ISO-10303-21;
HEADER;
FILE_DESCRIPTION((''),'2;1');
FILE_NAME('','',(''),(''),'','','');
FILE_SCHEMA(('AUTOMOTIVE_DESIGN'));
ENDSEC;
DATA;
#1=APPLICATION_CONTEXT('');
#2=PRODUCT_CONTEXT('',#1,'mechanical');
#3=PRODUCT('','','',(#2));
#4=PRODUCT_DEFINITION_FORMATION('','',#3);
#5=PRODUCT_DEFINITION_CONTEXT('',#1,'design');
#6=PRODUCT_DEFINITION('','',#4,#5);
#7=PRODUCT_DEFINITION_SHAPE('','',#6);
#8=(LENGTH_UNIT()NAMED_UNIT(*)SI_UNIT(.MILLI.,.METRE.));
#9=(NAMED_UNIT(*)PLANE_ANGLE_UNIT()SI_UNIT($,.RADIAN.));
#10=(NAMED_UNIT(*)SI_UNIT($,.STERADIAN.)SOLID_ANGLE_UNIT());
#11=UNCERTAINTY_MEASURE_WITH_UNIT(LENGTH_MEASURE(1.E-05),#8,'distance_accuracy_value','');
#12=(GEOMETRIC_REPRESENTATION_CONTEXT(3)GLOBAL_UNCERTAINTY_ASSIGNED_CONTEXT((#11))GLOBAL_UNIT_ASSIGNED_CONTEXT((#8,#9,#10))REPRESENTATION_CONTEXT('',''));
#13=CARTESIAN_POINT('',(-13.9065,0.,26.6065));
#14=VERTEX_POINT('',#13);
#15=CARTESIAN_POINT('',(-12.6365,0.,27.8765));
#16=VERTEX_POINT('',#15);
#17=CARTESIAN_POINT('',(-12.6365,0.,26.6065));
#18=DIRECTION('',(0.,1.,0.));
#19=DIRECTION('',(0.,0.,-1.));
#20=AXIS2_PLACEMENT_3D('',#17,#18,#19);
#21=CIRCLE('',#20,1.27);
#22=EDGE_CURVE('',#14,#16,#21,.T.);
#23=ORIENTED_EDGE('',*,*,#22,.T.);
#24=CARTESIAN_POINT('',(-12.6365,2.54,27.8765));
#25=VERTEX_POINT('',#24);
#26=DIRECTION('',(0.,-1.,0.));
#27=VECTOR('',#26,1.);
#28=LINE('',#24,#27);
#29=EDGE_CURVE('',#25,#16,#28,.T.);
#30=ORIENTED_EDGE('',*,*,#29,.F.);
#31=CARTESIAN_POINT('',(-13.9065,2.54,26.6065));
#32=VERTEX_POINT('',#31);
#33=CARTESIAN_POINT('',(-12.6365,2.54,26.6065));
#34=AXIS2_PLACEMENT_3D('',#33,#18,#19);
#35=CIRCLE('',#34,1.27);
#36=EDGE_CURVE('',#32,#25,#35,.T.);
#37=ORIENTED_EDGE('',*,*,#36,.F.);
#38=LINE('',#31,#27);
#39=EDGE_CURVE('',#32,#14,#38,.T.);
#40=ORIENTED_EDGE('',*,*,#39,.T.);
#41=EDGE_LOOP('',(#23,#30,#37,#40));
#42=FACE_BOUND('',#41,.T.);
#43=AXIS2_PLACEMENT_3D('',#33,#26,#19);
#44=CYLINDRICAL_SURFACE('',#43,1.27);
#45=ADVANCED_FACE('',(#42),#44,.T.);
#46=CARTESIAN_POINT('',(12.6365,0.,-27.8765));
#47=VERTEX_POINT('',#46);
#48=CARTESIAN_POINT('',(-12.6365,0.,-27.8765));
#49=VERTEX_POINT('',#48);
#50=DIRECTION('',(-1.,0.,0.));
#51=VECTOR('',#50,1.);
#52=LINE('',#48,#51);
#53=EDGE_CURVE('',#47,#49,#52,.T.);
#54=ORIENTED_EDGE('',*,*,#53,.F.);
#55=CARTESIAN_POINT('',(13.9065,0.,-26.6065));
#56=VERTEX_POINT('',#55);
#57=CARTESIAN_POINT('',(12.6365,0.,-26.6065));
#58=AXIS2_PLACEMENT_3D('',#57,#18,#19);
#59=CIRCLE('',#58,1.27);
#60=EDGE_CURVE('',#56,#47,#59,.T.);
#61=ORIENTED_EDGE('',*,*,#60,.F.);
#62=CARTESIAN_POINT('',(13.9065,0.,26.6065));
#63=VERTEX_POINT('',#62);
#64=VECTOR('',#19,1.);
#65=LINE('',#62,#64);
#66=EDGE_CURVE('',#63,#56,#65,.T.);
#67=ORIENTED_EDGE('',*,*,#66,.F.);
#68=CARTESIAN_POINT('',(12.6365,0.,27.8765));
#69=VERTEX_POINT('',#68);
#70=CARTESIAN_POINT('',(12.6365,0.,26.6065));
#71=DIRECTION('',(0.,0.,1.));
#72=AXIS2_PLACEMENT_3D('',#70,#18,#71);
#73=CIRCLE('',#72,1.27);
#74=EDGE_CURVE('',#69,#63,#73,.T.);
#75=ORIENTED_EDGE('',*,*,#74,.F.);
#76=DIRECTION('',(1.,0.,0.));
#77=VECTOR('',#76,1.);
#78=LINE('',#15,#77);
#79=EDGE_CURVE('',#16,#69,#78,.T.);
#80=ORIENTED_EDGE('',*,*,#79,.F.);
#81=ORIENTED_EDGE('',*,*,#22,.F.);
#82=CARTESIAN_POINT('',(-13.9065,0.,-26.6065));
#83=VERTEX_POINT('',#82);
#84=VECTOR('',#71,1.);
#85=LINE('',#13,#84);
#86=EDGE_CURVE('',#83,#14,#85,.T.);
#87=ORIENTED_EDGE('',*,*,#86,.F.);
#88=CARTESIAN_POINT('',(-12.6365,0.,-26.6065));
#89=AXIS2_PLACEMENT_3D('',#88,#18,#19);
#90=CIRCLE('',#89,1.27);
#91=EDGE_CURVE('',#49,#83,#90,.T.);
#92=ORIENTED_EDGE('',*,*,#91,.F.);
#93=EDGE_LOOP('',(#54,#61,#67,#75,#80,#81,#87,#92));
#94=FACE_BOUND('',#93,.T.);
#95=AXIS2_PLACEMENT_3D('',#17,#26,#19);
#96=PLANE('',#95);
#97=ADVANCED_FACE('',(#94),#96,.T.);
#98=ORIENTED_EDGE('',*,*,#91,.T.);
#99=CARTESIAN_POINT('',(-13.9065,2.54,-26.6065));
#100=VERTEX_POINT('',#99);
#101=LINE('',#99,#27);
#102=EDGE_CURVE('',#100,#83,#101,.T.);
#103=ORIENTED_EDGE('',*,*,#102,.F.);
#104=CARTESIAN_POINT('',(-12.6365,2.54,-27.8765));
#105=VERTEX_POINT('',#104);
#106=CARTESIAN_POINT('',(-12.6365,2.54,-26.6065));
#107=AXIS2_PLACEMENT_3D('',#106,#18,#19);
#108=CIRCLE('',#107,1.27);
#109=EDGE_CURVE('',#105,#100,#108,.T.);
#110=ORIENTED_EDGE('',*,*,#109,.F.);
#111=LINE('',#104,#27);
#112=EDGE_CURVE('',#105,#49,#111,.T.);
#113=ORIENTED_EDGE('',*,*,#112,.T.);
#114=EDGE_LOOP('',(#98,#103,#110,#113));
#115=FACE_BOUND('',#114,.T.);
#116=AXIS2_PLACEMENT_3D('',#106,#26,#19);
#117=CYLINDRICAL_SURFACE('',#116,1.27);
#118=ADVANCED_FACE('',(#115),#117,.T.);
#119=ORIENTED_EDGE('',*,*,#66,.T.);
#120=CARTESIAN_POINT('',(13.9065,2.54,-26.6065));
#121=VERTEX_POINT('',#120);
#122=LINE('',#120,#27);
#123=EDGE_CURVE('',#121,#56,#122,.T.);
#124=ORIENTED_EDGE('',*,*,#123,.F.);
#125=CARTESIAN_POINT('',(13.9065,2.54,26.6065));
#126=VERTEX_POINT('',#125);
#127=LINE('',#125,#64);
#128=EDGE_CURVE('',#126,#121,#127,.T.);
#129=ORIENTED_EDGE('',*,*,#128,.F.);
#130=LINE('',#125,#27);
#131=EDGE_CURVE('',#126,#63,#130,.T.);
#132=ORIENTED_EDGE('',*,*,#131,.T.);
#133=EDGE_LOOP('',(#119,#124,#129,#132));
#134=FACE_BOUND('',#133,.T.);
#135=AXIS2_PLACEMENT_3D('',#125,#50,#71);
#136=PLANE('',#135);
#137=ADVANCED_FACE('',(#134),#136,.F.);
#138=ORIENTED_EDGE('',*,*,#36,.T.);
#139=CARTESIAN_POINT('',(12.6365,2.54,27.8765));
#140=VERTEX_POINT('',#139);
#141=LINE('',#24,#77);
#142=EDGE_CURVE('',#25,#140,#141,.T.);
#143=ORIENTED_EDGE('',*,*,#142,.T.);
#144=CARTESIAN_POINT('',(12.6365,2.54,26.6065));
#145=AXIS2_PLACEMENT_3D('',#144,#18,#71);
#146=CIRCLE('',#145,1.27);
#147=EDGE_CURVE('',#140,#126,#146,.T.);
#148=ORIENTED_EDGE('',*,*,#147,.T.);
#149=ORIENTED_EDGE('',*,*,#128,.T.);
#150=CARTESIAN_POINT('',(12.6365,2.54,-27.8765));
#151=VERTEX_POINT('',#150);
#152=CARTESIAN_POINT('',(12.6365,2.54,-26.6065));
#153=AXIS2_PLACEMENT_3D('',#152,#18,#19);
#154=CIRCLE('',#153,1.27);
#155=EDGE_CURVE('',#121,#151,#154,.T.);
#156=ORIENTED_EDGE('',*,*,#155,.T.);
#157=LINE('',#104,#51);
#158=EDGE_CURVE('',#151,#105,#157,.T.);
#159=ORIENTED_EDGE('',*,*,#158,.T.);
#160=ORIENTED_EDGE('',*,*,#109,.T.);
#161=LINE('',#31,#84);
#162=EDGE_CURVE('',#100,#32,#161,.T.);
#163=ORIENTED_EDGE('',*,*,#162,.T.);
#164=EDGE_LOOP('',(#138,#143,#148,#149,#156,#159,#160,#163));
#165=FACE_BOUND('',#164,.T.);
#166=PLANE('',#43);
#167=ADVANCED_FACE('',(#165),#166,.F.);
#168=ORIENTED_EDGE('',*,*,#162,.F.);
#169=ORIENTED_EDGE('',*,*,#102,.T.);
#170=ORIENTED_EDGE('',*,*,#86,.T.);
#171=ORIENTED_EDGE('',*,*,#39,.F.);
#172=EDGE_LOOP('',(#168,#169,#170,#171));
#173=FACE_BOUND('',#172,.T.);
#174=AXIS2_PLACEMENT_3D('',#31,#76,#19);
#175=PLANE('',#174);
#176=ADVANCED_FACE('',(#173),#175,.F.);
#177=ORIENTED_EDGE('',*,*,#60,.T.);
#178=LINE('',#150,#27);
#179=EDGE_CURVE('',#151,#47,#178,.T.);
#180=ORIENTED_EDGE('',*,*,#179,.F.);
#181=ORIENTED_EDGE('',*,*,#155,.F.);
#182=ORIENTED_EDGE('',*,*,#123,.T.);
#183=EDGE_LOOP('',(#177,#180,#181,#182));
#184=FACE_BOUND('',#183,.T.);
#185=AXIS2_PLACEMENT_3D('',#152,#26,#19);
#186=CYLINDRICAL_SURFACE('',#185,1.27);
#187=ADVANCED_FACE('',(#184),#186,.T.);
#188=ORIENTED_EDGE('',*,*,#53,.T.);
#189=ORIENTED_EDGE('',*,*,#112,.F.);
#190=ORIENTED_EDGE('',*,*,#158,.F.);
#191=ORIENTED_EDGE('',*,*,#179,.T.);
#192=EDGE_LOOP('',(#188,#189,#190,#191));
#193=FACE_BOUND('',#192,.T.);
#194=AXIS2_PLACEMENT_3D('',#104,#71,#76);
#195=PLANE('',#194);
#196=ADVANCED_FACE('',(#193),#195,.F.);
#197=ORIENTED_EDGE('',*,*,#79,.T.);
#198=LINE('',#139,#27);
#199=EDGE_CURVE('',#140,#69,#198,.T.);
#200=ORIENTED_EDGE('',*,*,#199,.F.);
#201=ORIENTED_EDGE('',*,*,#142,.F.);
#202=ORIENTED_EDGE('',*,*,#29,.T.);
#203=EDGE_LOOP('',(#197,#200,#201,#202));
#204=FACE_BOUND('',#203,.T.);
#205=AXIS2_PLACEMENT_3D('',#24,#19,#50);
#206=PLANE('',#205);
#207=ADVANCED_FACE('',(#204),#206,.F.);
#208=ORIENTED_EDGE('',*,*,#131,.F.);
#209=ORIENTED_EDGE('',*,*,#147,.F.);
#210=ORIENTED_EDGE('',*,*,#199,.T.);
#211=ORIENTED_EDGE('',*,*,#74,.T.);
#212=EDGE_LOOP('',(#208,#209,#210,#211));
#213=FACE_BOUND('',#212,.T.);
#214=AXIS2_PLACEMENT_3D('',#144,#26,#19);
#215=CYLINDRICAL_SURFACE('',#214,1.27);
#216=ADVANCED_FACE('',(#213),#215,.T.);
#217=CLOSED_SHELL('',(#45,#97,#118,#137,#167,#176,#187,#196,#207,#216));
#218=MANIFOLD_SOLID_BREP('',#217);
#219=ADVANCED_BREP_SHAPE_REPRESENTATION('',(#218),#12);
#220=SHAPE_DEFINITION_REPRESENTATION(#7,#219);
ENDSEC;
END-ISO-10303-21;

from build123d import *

# Parameters (mm, degrees)
BOSS_EXTRUDE1_DEPTH = 2.54


with BuildPart() as part:
    # Sketch1 → Boss-Extrude1 (new body)
    with BuildSketch(Plane(origin=(0, 0, 0), x_dir=(1, 0, 0), z_dir=(0, 1, 0))):
        with BuildLine():
            Line((-12.6365, -27.8765), (12.6365, -27.8765))
            ThreePointArc((12.6365, -27.8765), (13.534525612, -27.504525612), (13.9065, -26.6065))
            Line((13.9065, -26.6065), (13.9065, 26.6065))
            ThreePointArc((13.9065, 26.6065), (13.534525612, 27.504525612), (12.6365, 27.8765))
            Line((12.6365, 27.8765), (-12.6365, 27.8765))
            ThreePointArc((-12.6365, 27.8765), (-13.534525612, 27.504525612), (-13.9065, 26.6065))
            Line((-13.9065, 26.6065), (-13.9065, -26.6065))
            ThreePointArc((-13.9065, -26.6065), (-13.534525612, -27.504525612), (-12.6365, -27.8765))
        make_face()
    extrude(amount=BOSS_EXTRUDE1_DEPTH)


solid = part.part
